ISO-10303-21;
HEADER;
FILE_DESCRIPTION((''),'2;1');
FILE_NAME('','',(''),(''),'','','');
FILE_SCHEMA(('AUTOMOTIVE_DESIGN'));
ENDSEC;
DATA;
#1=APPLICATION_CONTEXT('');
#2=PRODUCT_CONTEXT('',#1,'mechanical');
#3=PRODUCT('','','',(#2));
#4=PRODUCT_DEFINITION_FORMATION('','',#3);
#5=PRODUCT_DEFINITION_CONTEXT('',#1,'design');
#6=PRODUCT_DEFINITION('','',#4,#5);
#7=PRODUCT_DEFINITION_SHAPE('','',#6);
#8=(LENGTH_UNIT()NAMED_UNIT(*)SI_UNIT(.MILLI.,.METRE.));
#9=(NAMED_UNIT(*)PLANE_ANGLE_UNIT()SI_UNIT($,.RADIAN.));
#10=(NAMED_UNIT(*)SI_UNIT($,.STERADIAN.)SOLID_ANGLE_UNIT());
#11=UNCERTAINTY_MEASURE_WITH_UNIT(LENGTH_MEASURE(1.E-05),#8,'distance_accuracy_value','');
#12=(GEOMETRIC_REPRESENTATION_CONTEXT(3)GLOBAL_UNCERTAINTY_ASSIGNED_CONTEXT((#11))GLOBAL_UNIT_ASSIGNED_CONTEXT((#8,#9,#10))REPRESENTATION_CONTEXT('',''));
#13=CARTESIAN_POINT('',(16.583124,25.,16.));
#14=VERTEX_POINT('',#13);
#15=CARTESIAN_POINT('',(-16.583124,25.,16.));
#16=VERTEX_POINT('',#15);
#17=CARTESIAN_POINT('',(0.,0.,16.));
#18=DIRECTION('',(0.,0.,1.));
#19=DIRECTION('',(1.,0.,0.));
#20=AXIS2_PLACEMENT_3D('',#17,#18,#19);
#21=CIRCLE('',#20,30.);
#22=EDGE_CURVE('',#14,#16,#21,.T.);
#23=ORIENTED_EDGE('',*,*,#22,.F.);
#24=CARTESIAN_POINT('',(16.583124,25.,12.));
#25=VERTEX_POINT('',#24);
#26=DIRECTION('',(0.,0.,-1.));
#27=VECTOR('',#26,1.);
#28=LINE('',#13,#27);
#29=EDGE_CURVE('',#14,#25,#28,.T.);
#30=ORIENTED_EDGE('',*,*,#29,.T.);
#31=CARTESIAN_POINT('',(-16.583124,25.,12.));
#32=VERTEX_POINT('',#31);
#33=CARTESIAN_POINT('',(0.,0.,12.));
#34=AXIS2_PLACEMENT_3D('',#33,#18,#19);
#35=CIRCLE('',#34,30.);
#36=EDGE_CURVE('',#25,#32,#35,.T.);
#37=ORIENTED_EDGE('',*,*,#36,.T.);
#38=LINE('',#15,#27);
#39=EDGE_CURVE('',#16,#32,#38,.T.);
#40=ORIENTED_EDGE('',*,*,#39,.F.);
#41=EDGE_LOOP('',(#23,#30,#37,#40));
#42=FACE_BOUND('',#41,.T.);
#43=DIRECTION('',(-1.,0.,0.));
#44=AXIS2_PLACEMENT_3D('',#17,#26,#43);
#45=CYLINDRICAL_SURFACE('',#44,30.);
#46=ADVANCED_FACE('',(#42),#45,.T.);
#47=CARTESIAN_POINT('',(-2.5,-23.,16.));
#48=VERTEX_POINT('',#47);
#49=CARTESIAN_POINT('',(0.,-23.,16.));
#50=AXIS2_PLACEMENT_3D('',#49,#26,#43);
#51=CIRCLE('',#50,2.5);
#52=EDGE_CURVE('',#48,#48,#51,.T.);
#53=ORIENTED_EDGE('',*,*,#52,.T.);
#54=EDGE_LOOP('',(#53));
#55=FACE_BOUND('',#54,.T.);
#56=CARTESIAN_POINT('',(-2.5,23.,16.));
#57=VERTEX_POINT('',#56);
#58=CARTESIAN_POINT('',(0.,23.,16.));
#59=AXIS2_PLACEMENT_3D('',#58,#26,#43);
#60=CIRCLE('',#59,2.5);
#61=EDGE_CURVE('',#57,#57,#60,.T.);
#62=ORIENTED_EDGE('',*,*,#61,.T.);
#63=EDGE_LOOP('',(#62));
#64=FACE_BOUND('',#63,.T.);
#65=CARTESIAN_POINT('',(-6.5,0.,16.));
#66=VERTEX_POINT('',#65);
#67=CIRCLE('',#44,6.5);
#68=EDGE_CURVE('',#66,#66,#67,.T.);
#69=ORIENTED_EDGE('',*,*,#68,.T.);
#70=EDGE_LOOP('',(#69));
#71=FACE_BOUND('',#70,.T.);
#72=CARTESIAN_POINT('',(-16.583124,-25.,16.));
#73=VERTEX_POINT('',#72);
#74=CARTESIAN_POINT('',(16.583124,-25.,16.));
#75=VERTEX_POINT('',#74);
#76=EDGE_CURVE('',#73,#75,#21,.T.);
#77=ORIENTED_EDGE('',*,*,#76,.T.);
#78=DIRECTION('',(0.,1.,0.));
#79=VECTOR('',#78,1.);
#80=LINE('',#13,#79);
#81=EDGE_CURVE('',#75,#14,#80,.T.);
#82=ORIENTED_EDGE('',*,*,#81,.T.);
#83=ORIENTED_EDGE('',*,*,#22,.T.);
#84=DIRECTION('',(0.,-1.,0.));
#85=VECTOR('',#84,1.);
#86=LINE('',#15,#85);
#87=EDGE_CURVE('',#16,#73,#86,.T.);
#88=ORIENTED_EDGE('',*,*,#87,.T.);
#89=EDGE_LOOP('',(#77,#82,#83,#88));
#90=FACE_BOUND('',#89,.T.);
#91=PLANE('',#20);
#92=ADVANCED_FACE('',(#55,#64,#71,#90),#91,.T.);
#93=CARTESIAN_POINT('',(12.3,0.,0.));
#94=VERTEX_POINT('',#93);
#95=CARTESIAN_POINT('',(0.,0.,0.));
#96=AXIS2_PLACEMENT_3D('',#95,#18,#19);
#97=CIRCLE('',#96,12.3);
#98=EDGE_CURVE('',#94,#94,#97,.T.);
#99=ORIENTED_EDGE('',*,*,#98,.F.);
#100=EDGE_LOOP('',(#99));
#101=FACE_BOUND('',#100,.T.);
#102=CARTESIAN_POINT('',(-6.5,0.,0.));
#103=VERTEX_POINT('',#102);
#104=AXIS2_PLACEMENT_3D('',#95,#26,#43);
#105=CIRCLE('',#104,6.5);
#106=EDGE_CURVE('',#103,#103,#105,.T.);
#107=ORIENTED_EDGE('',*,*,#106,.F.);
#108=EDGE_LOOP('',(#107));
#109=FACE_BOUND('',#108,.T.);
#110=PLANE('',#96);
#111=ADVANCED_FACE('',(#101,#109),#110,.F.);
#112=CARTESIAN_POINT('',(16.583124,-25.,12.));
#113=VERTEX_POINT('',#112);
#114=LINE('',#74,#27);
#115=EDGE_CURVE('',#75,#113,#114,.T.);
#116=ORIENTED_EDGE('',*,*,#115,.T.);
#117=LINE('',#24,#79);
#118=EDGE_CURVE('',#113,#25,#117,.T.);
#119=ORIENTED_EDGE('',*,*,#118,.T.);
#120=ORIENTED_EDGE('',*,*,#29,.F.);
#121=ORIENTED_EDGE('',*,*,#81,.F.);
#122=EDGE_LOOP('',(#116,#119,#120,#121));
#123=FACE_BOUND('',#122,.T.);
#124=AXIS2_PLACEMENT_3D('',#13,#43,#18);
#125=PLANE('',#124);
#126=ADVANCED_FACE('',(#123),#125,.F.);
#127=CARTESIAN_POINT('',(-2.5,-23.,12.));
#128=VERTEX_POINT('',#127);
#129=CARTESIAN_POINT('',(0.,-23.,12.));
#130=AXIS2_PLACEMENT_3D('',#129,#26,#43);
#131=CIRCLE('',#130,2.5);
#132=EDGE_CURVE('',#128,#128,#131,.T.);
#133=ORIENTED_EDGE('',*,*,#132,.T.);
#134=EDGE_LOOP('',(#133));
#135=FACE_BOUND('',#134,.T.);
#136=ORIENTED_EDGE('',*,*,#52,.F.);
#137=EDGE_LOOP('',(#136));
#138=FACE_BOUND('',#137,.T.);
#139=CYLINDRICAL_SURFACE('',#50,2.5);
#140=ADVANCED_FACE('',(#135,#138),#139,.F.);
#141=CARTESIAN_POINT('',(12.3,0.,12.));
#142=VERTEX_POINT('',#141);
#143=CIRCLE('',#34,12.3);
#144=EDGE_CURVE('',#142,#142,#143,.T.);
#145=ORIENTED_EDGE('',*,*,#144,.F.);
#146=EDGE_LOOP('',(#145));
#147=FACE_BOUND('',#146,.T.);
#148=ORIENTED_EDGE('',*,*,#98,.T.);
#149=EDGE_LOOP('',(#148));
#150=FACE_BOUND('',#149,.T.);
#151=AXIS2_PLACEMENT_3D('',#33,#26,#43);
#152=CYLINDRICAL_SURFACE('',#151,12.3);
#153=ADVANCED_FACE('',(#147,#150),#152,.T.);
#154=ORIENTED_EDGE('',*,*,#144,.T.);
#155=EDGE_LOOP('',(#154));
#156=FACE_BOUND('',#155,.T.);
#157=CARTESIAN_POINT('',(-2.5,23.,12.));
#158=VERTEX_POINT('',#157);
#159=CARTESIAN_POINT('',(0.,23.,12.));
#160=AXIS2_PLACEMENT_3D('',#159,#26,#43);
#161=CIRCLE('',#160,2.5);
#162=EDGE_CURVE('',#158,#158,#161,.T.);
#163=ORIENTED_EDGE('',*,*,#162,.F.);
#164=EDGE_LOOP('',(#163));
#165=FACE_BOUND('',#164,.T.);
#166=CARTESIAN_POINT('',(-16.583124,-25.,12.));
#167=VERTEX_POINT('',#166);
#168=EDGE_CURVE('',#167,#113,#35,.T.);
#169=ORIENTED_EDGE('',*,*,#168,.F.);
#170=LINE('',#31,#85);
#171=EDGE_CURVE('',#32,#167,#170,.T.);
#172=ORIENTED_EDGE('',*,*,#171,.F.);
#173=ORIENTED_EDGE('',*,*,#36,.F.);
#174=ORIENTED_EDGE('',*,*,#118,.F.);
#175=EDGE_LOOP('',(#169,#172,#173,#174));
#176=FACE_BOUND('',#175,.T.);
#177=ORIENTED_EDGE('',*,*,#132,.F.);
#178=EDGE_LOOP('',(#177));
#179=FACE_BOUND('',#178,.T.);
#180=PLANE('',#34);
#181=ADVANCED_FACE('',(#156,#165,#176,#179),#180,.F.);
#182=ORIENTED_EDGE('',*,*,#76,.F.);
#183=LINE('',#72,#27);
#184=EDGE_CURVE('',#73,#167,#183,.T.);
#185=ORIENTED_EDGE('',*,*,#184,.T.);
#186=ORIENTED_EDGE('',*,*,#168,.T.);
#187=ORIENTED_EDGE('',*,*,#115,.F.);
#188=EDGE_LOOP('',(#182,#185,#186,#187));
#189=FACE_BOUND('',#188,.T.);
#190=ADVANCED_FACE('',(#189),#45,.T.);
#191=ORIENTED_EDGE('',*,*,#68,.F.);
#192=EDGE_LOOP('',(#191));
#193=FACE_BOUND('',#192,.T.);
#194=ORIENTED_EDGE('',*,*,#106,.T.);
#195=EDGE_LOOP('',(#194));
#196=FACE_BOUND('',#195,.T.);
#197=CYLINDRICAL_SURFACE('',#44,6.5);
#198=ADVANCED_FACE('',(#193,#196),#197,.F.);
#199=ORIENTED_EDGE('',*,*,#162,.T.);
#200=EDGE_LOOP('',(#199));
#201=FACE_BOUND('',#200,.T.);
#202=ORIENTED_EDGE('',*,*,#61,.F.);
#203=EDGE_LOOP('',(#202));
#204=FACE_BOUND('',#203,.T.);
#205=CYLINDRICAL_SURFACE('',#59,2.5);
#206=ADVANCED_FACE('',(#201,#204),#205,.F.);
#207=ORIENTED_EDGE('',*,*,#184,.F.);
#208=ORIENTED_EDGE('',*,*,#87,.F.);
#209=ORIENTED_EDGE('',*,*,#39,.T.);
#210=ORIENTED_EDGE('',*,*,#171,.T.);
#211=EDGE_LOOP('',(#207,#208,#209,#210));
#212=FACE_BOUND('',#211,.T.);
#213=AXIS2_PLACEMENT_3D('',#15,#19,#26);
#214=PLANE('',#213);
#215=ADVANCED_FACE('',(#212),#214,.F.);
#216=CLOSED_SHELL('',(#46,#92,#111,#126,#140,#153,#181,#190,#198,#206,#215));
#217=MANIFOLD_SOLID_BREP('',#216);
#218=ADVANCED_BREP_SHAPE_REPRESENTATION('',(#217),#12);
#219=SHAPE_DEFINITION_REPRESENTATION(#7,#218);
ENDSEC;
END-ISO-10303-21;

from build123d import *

# Parameters (mm, degrees)
SKETCH1_R           = 12.3
BOSS_EXTRUDE1_DEPTH = 12
SKETCH2_R           = 30
BOSS_EXTRUDE2_DEPTH = 4
SKETCH3_R           = 2.5
CUT_EXTRUDE1_DEPTH  = 5
SKETCH4_R           = 6.5
CUT_EXTRUDE2_DEPTH  = 17
CUT_EXTRUDE3_DEPTH  = 5


with BuildPart() as part:
    # Sketch1 → Boss-Extrude1 (new body)
    with BuildSketch(Plane(origin=(0, 0, 0), x_dir=(0, 1, 0), z_dir=(0, 0, 1))):
        Circle(SKETCH1_R)
    extrude(amount=BOSS_EXTRUDE1_DEPTH)

    # Sketch2 → Boss-Extrude2 (add)
    with BuildSketch(Plane.XY.offset(12)):
        Circle(SKETCH2_R)
    extrude(amount=BOSS_EXTRUDE2_DEPTH)

    # Sketch3 → Cut-Extrude1 (cut, through all)
    with BuildSketch(Plane(origin=(0, 0, 12), x_dir=(1, 0, 0), z_dir=(0, 0, -1))):
        with Locations((0, 23)):
            Circle(SKETCH3_R)
        with Locations((0, -23)):
            Circle(SKETCH3_R)
    extrude(amount=-CUT_EXTRUDE1_DEPTH, mode=Mode.SUBTRACT)

    # Sketch4 → Cut-Extrude2 (cut, through all)
    with BuildSketch(Plane(origin=(0, 0, 0), x_dir=(1, 0, 0), z_dir=(0, 0, -1))):
        Circle(SKETCH4_R)
    extrude(amount=-CUT_EXTRUDE2_DEPTH, mode=Mode.SUBTRACT)

    # Sketch5 → Cut-Extrude3 (cut, through all)
    with BuildSketch(Plane(origin=(0, 0, 12), x_dir=(1, 0, 0), z_dir=(0, 0, -1))):
        with BuildLine():
            Line((-16.583123952, -25), (-16.583123952, 25))
            ThreePointArc((-16.583123952, 25), (-30, 0), (-16.583123952, -25))
        make_face()
        with BuildLine():
            Line((16.583123952, -25), (16.583123952, 25))
            ThreePointArc((16.583123952, 25), (30, 0), (16.583123952, -25))
        make_face()
    extrude(amount=-CUT_EXTRUDE3_DEPTH, mode=Mode.SUBTRACT)


solid = part.part
